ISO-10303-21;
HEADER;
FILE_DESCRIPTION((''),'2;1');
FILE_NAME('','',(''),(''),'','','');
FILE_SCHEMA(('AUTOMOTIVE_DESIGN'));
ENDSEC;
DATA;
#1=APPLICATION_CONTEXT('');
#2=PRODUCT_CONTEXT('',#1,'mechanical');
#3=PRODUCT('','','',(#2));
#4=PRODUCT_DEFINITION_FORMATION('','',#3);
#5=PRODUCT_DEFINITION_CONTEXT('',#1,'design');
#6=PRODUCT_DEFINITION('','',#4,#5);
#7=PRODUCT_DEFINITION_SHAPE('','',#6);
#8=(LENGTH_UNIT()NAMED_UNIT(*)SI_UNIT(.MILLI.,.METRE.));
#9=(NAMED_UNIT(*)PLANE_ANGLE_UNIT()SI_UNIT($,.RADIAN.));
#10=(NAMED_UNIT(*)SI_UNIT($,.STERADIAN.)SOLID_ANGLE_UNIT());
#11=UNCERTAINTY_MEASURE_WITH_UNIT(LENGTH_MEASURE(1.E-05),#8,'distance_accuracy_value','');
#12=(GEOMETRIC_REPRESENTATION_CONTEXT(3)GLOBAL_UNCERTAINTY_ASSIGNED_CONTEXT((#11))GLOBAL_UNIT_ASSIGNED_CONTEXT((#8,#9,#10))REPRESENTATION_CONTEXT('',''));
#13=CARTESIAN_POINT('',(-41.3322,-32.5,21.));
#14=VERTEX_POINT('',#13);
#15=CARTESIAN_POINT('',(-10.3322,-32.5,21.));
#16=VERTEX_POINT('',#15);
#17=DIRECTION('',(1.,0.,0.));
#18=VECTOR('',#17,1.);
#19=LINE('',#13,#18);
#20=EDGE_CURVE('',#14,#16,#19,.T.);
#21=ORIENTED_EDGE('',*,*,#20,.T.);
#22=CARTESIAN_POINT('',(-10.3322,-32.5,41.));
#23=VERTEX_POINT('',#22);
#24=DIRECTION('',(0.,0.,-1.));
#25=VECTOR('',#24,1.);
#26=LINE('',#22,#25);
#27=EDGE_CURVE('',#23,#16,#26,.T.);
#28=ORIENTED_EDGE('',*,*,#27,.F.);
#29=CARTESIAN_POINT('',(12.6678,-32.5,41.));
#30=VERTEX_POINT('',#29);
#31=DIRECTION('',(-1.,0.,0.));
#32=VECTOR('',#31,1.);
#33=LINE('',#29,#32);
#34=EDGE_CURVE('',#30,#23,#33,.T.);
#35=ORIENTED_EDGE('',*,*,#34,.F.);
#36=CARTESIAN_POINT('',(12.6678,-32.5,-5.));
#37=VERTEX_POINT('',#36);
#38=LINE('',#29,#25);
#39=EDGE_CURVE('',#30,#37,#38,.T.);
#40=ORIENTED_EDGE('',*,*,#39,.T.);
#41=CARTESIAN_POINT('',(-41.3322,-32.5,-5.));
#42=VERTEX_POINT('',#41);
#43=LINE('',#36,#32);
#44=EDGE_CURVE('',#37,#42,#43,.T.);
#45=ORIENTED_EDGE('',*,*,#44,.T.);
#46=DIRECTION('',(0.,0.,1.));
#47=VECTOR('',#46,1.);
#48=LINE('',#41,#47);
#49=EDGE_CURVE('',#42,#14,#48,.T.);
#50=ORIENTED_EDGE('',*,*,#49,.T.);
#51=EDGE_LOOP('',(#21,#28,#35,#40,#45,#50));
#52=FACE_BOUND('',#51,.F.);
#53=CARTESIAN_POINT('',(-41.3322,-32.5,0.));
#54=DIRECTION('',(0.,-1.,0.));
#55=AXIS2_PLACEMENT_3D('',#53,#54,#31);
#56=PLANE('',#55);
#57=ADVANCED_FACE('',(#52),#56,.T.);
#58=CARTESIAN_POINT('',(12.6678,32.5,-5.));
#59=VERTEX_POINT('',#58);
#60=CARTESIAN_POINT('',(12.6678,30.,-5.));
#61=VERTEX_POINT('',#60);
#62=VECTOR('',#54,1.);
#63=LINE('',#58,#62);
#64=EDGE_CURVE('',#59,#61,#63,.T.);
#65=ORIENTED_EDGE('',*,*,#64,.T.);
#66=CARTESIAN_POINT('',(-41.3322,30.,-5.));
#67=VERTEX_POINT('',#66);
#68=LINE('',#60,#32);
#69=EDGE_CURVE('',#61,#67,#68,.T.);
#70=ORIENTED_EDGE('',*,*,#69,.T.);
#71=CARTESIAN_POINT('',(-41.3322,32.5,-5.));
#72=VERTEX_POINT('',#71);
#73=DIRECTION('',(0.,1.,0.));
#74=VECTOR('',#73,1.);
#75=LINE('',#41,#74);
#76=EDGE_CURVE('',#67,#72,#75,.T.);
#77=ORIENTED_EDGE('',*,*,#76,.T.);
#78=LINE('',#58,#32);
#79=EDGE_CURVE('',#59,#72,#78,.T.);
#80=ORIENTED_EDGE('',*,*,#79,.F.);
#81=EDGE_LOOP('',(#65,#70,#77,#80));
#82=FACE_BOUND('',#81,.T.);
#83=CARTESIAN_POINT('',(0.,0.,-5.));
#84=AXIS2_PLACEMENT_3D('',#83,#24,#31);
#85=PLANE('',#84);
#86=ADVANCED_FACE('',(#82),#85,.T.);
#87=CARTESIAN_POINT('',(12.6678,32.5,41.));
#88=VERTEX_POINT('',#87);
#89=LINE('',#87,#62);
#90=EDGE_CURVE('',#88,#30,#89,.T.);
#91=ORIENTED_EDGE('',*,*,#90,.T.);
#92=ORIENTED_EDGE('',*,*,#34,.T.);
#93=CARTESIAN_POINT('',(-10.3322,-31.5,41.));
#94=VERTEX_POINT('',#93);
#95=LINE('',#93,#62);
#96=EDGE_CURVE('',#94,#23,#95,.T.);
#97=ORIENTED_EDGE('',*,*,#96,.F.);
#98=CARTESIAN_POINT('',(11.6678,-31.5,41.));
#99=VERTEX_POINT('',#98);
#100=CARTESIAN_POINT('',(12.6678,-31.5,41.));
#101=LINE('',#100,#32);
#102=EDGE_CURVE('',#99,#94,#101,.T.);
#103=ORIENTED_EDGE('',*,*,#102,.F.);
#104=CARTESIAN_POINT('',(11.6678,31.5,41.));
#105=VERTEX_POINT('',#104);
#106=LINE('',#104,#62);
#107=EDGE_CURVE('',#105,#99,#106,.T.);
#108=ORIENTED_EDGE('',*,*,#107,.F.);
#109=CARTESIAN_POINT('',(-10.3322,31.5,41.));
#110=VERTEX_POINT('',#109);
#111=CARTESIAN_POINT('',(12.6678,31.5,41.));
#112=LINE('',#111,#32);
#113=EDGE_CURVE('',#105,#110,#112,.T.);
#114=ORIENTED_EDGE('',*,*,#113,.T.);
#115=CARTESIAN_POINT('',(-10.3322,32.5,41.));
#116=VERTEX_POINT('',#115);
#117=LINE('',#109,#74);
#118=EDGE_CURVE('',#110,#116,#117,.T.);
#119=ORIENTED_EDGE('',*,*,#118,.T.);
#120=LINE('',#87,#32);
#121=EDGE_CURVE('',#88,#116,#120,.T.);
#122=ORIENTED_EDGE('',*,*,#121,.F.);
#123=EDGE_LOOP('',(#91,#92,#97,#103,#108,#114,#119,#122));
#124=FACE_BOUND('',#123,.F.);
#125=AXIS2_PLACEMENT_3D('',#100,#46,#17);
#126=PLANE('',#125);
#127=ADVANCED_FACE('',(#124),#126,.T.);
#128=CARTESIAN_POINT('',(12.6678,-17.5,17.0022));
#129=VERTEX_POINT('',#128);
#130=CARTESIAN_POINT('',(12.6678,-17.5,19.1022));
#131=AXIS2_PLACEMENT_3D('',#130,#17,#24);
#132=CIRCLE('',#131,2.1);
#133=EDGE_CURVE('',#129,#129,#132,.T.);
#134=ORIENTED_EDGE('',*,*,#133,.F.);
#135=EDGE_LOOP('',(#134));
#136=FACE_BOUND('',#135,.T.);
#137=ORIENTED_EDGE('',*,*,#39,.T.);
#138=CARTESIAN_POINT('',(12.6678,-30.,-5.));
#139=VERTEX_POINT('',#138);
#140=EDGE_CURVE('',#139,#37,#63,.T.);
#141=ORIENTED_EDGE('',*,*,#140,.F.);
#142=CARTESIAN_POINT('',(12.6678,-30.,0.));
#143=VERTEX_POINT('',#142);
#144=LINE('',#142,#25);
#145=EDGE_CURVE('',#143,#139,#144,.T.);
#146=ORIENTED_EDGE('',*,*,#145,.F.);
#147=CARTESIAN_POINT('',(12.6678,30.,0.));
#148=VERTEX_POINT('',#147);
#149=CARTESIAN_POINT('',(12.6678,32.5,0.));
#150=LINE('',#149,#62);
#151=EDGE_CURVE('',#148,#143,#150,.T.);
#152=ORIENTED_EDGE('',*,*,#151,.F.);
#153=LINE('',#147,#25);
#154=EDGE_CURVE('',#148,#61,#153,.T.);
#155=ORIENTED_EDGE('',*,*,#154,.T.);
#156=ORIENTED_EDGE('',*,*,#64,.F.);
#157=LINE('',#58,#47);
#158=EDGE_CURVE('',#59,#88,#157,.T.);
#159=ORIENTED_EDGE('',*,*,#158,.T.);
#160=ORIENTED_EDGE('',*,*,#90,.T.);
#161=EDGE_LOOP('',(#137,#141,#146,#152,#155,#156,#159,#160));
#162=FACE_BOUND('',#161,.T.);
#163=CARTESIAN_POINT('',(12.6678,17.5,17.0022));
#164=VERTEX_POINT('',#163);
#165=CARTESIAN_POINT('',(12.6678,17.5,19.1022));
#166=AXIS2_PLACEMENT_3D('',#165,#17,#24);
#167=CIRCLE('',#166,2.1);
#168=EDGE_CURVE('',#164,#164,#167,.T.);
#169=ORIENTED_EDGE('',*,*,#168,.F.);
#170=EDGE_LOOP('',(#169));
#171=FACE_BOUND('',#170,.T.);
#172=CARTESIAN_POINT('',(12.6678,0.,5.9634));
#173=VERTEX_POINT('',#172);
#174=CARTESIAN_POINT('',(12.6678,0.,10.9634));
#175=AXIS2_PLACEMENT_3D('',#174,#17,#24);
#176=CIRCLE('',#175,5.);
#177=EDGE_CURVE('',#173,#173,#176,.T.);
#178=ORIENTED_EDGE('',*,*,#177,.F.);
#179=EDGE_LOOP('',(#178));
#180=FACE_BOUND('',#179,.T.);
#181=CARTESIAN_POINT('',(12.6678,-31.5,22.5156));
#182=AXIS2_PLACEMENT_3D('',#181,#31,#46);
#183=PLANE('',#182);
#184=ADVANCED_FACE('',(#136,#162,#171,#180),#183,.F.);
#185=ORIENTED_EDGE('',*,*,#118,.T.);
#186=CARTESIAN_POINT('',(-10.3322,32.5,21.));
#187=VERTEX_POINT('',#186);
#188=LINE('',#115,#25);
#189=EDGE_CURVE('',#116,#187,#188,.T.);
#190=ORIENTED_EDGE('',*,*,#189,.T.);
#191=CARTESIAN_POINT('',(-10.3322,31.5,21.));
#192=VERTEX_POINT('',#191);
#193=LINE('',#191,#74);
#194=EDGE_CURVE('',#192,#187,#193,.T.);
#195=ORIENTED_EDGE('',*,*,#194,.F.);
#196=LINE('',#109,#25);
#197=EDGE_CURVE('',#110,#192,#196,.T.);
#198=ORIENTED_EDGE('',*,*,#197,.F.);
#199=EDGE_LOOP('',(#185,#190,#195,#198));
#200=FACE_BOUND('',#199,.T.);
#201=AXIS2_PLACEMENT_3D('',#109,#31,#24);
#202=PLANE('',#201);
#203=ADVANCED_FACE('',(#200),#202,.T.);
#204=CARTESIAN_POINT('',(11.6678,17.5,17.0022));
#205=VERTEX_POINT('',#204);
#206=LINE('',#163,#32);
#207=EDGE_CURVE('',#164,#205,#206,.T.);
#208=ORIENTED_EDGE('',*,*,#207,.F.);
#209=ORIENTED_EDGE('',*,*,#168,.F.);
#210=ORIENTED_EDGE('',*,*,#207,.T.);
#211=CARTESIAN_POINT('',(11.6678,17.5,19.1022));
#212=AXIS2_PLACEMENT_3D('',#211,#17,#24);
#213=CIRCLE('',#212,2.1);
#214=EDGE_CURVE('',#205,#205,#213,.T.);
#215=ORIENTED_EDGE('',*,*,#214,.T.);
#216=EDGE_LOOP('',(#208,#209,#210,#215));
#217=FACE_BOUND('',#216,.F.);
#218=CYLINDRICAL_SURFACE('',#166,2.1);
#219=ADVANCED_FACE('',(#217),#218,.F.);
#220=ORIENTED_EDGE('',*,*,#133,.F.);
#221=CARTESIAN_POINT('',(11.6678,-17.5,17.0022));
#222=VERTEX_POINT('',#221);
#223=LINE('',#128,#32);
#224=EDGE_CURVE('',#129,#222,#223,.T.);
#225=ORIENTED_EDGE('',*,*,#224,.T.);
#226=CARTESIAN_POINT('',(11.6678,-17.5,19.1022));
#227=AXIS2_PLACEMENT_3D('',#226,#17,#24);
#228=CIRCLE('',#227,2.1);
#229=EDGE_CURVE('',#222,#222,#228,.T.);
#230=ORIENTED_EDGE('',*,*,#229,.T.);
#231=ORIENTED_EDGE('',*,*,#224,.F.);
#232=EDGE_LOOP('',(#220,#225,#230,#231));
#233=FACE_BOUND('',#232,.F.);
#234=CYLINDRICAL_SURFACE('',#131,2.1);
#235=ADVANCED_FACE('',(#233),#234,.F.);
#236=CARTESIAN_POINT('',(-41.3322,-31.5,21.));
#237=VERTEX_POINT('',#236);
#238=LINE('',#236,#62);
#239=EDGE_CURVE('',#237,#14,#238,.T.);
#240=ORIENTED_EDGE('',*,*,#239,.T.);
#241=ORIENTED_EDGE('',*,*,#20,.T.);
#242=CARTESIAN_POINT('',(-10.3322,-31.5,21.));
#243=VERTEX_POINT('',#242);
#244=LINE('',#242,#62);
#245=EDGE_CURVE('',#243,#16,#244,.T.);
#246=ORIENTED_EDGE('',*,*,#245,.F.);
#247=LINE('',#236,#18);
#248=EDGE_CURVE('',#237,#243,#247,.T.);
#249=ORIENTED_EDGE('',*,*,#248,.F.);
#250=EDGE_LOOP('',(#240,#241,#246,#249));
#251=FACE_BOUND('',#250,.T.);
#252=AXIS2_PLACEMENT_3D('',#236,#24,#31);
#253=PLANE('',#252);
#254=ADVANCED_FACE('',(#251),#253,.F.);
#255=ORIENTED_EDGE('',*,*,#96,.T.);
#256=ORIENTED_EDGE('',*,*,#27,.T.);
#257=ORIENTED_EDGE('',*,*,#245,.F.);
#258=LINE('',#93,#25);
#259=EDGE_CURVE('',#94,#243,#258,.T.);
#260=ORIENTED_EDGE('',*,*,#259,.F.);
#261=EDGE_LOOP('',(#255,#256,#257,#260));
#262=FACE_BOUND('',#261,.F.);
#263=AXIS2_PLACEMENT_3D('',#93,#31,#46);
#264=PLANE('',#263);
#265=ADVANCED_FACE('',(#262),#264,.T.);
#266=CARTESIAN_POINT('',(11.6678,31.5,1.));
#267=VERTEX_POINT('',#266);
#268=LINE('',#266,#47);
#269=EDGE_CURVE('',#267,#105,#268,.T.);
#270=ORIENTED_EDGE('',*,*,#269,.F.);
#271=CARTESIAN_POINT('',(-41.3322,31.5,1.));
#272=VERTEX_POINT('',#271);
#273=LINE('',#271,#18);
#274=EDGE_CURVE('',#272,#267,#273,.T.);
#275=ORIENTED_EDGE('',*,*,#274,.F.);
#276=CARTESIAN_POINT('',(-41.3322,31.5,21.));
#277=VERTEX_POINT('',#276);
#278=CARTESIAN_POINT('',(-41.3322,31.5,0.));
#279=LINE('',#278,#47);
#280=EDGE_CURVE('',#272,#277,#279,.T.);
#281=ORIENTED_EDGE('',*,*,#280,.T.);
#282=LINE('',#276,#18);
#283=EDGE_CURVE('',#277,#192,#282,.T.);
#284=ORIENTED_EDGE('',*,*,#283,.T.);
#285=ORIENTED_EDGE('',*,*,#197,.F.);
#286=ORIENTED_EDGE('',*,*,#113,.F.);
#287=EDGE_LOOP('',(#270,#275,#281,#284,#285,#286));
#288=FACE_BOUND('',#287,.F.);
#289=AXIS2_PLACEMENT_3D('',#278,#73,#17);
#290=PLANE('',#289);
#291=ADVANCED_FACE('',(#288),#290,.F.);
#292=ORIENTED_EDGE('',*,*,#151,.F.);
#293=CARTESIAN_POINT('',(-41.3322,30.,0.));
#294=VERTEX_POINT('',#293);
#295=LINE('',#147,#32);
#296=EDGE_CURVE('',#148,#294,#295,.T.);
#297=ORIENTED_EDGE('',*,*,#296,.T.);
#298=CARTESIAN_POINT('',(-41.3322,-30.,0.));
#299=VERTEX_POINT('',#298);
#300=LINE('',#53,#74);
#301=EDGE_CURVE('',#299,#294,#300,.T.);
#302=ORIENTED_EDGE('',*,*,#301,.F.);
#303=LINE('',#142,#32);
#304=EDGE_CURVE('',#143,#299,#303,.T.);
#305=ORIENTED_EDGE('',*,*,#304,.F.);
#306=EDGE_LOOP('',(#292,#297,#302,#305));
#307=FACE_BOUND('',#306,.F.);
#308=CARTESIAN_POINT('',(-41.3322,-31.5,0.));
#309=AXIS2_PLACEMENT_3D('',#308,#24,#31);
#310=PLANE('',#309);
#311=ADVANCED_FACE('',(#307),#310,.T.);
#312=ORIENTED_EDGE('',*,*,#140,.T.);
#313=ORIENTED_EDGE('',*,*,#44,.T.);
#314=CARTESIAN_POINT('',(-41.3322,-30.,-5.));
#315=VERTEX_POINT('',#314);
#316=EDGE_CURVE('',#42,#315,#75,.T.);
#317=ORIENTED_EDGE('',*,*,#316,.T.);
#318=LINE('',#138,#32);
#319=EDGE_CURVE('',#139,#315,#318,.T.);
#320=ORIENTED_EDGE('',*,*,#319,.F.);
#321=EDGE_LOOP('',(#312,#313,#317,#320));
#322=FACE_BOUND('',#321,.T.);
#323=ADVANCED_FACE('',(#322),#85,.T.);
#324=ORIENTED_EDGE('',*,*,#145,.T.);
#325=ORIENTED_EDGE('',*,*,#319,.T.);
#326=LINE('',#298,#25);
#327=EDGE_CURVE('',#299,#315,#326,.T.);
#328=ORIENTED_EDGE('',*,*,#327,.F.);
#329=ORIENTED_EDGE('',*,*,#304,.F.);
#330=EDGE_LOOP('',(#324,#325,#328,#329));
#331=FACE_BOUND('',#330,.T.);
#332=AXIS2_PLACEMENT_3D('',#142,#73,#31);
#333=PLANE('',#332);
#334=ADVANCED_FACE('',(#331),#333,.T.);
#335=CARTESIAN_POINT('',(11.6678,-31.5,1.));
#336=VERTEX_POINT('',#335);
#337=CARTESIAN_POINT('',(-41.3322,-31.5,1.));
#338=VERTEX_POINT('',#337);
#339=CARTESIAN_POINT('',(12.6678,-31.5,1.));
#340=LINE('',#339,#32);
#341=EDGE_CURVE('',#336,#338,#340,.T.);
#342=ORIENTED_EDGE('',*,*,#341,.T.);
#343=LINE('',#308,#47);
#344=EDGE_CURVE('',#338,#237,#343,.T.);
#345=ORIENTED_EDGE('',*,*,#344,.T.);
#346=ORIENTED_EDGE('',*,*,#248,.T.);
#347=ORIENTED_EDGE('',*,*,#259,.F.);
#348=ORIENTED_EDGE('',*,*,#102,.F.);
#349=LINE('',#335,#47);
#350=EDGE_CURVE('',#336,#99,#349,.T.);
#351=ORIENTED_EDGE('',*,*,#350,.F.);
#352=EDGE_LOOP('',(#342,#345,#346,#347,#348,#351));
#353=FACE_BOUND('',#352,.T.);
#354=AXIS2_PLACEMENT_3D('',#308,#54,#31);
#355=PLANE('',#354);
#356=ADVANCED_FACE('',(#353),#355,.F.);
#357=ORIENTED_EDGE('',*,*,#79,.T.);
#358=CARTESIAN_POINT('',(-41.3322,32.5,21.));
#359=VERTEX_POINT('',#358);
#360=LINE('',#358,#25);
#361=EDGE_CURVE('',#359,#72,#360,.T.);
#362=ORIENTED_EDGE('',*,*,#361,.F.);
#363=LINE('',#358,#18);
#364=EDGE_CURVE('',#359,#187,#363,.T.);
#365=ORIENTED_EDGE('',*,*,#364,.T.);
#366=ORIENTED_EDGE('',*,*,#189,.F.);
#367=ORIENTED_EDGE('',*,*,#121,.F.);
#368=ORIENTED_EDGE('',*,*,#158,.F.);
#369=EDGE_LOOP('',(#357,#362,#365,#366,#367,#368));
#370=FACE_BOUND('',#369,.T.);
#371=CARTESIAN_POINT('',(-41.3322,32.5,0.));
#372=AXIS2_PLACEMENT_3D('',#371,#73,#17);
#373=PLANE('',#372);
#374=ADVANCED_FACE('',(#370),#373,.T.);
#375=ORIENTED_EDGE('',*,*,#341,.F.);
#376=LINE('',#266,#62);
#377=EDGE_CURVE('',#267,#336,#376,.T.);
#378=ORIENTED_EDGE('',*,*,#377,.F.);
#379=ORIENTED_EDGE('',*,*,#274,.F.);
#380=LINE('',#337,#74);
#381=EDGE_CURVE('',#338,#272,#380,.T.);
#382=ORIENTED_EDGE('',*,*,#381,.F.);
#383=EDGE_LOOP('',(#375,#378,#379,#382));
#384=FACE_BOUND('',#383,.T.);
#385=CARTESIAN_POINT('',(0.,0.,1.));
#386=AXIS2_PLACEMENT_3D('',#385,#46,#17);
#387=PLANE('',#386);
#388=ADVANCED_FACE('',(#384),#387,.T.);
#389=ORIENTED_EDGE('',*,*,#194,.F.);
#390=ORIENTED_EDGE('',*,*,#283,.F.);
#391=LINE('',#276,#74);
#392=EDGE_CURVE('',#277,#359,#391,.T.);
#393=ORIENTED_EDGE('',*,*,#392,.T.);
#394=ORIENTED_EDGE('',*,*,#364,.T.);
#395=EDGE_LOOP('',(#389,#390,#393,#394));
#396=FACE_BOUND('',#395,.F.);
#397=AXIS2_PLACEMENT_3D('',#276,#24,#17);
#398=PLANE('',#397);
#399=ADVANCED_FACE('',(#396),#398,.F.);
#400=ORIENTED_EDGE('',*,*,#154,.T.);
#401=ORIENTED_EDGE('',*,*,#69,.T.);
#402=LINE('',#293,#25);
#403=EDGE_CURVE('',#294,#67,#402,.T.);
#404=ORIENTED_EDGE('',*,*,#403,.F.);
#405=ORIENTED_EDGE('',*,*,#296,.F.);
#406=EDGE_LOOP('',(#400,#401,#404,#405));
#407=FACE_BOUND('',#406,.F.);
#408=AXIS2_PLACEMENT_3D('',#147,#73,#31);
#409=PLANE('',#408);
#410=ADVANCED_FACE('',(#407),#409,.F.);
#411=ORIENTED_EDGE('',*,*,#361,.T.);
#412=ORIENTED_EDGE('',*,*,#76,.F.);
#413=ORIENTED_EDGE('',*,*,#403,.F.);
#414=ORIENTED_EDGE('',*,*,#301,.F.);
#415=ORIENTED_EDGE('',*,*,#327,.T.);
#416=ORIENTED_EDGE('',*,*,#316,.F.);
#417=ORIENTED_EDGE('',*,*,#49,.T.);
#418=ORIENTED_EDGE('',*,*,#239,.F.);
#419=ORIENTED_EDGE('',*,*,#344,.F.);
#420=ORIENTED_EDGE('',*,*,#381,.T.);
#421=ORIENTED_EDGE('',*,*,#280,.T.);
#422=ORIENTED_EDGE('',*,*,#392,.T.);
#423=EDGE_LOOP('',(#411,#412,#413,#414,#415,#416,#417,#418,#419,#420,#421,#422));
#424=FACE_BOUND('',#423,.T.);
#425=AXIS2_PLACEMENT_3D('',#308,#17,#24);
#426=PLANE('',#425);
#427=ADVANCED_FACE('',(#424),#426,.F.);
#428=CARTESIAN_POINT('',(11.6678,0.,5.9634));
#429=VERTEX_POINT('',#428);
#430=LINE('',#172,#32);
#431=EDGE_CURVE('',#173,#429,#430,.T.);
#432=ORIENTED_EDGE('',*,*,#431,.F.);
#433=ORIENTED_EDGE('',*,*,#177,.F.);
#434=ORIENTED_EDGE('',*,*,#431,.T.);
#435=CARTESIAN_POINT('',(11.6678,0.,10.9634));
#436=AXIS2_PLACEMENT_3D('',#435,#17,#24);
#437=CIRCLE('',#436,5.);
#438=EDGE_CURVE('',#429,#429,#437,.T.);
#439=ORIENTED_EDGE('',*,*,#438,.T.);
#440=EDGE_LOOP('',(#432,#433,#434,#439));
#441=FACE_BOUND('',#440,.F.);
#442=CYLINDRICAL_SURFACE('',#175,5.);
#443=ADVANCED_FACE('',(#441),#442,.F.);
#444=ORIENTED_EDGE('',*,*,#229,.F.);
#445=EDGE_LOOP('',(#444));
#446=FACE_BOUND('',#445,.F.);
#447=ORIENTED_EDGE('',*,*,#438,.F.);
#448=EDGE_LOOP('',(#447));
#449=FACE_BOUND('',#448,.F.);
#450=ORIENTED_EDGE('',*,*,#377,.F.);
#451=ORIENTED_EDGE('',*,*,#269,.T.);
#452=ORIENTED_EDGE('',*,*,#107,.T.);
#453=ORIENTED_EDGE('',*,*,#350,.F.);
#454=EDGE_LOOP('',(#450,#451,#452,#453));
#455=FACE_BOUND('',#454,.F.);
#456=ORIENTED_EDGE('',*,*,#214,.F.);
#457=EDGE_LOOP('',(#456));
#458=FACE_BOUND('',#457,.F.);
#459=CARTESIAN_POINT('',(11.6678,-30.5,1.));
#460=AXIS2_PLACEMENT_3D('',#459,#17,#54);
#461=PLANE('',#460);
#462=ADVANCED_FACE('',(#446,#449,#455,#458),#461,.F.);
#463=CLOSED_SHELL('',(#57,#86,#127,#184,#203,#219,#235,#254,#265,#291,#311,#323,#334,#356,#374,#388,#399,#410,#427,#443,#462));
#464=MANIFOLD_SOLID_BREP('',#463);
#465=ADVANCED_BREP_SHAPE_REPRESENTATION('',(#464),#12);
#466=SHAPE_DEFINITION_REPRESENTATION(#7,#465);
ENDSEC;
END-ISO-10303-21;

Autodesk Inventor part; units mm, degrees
ref_plane "YZ Plane" through (0, 0, 0) normal (1, 0, 0) x (0, 1, 0)
ref_plane "XZ Plane" through (0, 0, 0) normal (0, 1, 0) x (-1, 0, 0)
ref_plane "XY Plane" through (0, 0, 0) normal (0, 0, 1) x (1, 0, 0)
sketch "Sketch1" plane through (0, 0, 0) normal (0, 0, 1) x (1, 0, 0)
  line L0 (-41.3322, 31.5) -> (12.6678, 31.5)
  line L1 (12.6678, 31.5) -> (12.6678, -31.5)
  line L2 (12.6678, -31.5) -> (-41.3322, -31.5)
  line L3 (-41.3322, -31.5) -> (-41.3322, 31.5)
  line L4 (-89.332, 0) -> (29.6678, 0) projected
  point P0 (0, 0)
  dimension "leveys" = 54
  dimension "pituus" = 63
extrude "Extrusion1" add sketch "Sketch1" along normal blind 1
sketch "Sketch2" plane through (0, 0, 1) normal (0, 0, 1) x (1, 0, 0)
  line L0 (12.6678, 31.5) -> (-41.3322, 31.5) projected
  line L1 (-41.3322, -31.5) -> (12.6678, -31.5) projected
  line L2 (12.6678, 31.5) -> (11.6678, 31.5)
  line L3 (11.6678, 31.5) -> (11.6678, -31.5)
  line L4 (11.6678, -31.5) -> (12.6678, -31.5)
  line L5 (12.6678, -31.5) -> (12.6678, 31.5)
  line L6 (11.6678, 30.5) -> (-41.3322, 30.5)
  line L7 (-41.3322, 31.5) -> (-41.3322, -31.5) projected
  line L8 (-41.3322, -30.5) -> (11.6678, -30.5)
  point P0 (0, 0)
  dimension "d4" = 1
  dimension "laita" = 1
  dimension "d9" = 1
extrude "Extrusion2" add sketch "Sketch2" along normal blind 40 contours L5 L1 L3 L0
sketch "Sketch3" plane through (12.6678, -31.5, 0) normal (1, 0, 0) x (0, 0, -1)
  circle A0 centre (-10.9634, 31.5) radius 5
  line L0 (-41, 0) -> (-41, 63) projected
  line L1 (-41, 31.5) -> (34.5285, 31.5) construction
  line L2 (-1, 63) -> (-1, 0) projected
  circle A1 centre (-19.1022, 49) radius 2.1
  circle A2 centre (-19.1022, 14) radius 2.1
  point P0 (0, 31.5)
  dimension "d7" = 10
  dimension "PIKKU" = 4.2
  dimension "d13" = 4.2
  dimension "d14" = 19.3
  dimension "d16" = 35
extrude "Extrusion3" cut sketch "Sketch3" against normal up to next
sketch "Sketch4" plane through (-41.3322, 31.5, 0) normal (0, 1, 0) x (1, 0, 0)
  line L0 (0, 0) -> (54, 0) projected
  line L1 (54, 0) -> (0, 0)
  line L2 (0, 0) -> (0, -21)
  line L3 (0, -21) -> (31, -21)
  line L4 (54, -22.5156) -> (54, 0)
  line L5 (54, 0) -> (54, -41) projected
  line L6 (54, -41) -> (31, -41)
  line L7 (31, -41) -> (31, -21)
  line L8 (54, -22.5156) -> (54, -41)
  point P0 (41.3322, 0)
  dimension "d24" = 20
  dimension "d25" = 23
extrude "Extrusion4" add sketch "Sketch4" along normal blind 1
mirror "Mirror1" about plane through (0, 0, 0) normal (0, 1, 0) of "Extrusion4"
sketch "Sketch7" plane through (0, 0, 0) normal (0, 0, -1) x (-1, 0, 0)
  line L0 (-12.6678, 30) -> (41.3322, 30)
  line L1 (-12.6678, -30) -> (41.3322, -30)
  line L2 (89.332, 0) -> (-29.6678, 0) projected
  line L3 (41.3322, -32.5) -> (41.3322, 32.5) projected
  line L4 (-12.6678, 32.5) -> (-12.6678, -32.5) projected
  line L5 (-12.6678, -32.5) -> (41.3322, -32.5) projected
  line L6 (-12.6678, 32.5) -> (41.3322, 32.5) projected
  point P0 (0, 0)
  dimension "d30" = 60
extrude "Extrusion7" add sketch "Sketch7" along normal blind 5 contours L4 L6 L3 L0 | L1 L3 L5 L4
equation "\"d4\" = laita"
equation "\"d9\" = laita"
equation "\"d13\" = PIKKU"
properties part number "ProjectXBase"
